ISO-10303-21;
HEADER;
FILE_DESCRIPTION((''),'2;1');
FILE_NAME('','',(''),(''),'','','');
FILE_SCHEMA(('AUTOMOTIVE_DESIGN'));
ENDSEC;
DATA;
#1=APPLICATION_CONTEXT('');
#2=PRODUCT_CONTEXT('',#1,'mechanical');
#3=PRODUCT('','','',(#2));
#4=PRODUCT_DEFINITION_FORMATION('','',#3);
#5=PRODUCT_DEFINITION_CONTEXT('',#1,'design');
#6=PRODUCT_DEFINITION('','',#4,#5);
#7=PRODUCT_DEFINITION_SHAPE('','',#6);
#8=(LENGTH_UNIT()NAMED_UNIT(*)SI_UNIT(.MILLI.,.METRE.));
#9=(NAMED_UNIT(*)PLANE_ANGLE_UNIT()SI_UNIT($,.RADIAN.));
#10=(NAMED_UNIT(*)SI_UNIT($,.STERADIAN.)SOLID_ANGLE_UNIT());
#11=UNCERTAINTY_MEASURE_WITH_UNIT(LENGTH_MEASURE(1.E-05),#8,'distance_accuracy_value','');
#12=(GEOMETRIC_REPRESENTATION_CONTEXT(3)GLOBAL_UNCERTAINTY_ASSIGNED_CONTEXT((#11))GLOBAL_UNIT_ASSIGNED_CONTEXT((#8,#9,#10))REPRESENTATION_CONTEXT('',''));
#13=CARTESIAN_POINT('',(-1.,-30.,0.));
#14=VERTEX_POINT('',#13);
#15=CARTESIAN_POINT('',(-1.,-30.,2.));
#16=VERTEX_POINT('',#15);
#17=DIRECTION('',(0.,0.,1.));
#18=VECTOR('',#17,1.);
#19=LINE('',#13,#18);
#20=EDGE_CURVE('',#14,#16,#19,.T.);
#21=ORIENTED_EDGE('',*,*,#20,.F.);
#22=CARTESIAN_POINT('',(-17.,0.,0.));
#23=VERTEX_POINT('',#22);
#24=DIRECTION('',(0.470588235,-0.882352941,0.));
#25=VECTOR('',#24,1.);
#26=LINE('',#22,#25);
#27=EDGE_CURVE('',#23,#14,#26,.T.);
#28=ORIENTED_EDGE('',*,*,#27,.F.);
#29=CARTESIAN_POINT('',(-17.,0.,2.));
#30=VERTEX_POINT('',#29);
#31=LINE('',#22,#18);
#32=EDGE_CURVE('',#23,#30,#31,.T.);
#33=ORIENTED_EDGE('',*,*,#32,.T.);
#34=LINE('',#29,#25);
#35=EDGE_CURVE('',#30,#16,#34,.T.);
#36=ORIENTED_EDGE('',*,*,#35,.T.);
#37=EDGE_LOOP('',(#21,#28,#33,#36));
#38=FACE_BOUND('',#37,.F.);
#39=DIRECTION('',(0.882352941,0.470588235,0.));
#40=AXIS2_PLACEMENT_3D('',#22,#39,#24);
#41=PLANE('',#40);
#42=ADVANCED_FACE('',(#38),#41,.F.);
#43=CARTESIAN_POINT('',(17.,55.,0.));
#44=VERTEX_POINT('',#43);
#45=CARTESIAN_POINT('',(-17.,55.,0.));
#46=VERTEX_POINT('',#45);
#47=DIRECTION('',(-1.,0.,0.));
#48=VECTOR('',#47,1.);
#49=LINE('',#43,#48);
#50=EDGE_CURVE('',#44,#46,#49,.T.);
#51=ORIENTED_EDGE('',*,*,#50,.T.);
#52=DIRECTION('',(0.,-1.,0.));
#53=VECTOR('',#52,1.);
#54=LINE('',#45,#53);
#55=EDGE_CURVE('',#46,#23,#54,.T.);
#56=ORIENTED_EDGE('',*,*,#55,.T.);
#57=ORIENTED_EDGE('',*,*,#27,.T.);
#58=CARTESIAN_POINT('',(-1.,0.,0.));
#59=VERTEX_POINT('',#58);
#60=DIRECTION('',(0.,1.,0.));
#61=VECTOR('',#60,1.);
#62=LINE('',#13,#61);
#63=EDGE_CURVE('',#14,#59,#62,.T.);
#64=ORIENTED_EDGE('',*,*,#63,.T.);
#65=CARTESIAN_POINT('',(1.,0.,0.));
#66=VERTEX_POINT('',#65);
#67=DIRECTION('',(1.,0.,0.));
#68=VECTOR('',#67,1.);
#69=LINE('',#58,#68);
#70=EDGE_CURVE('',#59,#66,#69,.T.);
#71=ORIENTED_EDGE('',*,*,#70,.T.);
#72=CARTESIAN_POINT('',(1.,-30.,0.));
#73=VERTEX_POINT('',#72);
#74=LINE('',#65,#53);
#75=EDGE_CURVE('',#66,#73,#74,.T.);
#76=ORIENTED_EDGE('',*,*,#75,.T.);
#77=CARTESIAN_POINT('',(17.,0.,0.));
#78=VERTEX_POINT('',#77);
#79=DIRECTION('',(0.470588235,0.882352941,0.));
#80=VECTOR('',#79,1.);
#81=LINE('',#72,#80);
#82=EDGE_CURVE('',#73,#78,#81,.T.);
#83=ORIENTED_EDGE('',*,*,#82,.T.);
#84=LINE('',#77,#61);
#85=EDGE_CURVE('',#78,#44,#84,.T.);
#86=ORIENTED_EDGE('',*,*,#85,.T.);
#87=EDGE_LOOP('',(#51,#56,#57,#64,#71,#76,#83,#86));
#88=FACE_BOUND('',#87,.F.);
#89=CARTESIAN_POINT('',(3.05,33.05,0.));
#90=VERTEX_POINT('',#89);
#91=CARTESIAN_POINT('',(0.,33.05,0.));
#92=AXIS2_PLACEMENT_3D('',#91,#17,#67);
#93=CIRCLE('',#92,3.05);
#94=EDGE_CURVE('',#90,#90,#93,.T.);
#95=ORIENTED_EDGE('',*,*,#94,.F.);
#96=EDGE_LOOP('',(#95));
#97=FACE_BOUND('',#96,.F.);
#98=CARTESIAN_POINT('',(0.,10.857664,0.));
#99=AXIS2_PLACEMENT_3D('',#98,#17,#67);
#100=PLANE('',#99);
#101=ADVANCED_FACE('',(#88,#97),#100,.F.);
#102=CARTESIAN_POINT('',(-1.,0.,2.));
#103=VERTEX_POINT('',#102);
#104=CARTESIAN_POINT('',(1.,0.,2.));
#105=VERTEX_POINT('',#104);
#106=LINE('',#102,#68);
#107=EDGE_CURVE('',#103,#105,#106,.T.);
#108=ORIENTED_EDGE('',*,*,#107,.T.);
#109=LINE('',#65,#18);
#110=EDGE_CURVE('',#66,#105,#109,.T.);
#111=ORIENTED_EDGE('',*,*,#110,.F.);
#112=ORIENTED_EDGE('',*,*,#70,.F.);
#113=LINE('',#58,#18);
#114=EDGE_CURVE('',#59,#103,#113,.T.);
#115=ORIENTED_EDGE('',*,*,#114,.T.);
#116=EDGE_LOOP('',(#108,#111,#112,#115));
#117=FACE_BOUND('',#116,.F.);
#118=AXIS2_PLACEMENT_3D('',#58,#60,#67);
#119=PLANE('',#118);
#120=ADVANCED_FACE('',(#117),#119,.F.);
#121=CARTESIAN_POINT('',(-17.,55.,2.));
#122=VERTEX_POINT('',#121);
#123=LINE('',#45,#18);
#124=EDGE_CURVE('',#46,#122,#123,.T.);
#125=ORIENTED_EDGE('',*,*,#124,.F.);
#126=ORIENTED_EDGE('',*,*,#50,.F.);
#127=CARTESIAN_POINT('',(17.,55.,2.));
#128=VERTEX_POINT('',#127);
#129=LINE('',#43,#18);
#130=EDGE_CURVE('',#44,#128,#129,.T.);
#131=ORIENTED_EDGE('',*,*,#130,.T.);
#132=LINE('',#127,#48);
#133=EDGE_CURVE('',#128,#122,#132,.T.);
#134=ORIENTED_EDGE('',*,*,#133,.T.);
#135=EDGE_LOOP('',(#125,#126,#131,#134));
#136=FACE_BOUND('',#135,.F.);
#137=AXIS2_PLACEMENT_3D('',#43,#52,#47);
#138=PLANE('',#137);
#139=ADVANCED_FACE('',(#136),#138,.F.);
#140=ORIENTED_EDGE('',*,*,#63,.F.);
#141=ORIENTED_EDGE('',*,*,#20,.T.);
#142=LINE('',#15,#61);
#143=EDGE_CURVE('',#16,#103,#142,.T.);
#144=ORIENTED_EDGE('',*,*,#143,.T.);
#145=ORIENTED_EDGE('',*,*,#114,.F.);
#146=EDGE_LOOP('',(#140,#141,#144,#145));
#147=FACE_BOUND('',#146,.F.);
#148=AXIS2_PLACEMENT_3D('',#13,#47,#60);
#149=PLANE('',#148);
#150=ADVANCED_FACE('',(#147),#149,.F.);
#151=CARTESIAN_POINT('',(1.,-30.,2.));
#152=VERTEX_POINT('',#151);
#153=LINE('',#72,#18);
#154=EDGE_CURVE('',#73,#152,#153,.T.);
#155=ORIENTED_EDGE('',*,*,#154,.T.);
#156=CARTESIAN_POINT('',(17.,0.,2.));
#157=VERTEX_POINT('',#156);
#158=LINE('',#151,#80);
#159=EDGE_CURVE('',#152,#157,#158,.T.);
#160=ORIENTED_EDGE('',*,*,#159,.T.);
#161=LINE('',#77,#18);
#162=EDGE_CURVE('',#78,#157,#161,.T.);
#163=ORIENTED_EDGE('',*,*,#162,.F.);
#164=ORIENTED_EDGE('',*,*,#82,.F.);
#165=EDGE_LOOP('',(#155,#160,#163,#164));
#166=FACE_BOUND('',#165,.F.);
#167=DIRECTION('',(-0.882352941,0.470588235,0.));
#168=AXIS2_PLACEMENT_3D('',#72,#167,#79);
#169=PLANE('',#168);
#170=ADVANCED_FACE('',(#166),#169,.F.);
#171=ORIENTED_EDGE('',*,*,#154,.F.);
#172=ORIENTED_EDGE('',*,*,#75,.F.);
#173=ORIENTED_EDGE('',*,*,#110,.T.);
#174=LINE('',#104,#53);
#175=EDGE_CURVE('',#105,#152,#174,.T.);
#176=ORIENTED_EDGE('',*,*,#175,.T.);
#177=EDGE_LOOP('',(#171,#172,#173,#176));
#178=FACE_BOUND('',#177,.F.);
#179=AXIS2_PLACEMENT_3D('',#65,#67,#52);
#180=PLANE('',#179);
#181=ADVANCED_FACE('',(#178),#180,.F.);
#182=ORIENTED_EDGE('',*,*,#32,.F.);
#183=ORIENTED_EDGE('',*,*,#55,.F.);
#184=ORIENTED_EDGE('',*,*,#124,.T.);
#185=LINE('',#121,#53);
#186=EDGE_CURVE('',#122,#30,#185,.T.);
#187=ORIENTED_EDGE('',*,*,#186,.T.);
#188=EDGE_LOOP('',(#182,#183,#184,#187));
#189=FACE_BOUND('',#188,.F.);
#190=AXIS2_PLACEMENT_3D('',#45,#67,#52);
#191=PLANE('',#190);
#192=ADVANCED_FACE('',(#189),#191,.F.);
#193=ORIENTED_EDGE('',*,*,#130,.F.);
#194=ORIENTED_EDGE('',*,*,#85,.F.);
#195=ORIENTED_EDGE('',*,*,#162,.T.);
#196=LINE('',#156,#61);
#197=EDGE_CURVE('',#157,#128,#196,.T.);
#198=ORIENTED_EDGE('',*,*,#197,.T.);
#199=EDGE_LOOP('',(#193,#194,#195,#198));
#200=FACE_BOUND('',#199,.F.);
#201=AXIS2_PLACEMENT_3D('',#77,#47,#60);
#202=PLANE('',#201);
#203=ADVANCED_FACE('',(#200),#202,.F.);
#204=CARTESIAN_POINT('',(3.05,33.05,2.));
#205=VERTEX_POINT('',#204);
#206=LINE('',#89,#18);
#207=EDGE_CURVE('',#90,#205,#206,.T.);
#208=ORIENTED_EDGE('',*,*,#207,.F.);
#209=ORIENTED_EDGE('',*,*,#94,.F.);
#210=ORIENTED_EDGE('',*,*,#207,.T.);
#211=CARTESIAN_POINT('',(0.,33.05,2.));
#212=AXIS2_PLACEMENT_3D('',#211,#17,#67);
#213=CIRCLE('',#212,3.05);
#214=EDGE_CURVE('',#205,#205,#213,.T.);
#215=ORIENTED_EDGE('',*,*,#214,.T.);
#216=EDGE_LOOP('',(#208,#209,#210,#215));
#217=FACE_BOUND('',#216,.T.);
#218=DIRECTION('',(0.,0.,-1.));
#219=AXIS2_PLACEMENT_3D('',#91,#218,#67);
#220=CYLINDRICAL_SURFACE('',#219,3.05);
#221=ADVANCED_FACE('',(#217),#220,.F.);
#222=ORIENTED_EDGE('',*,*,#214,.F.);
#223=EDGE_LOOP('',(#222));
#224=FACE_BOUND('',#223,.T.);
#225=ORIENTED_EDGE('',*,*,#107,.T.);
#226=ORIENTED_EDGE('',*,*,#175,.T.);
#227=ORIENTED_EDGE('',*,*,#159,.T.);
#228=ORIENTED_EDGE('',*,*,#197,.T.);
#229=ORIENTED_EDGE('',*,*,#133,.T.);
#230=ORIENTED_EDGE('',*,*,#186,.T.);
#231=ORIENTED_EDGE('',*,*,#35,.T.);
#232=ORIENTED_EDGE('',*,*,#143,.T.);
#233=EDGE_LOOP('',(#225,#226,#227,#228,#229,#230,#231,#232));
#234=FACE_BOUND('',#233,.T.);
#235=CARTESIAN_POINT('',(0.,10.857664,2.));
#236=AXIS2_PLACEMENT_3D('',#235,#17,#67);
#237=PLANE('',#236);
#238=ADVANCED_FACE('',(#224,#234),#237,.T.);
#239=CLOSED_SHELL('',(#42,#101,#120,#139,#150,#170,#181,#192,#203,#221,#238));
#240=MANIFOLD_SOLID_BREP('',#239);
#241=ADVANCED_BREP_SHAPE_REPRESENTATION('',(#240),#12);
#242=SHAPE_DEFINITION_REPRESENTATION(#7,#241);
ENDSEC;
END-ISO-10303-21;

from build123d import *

# Parameters (mm, degrees)
SKETCH_R  = 3.05
PAD_DEPTH = 2


with BuildPart() as part:
    # Sketch → Pad (new body)
    with BuildSketch(Plane.XY):
        Polygon((-17, 55), (-17, 0), (-1, -30), (-1, 0), (1, 0), (1, -30), (17, 0), (17, 55), align=None)
        with Locations((0, 33.05)):
            Circle(SKETCH_R, mode=Mode.SUBTRACT)
    extrude(amount=PAD_DEPTH)


solid = part.part
